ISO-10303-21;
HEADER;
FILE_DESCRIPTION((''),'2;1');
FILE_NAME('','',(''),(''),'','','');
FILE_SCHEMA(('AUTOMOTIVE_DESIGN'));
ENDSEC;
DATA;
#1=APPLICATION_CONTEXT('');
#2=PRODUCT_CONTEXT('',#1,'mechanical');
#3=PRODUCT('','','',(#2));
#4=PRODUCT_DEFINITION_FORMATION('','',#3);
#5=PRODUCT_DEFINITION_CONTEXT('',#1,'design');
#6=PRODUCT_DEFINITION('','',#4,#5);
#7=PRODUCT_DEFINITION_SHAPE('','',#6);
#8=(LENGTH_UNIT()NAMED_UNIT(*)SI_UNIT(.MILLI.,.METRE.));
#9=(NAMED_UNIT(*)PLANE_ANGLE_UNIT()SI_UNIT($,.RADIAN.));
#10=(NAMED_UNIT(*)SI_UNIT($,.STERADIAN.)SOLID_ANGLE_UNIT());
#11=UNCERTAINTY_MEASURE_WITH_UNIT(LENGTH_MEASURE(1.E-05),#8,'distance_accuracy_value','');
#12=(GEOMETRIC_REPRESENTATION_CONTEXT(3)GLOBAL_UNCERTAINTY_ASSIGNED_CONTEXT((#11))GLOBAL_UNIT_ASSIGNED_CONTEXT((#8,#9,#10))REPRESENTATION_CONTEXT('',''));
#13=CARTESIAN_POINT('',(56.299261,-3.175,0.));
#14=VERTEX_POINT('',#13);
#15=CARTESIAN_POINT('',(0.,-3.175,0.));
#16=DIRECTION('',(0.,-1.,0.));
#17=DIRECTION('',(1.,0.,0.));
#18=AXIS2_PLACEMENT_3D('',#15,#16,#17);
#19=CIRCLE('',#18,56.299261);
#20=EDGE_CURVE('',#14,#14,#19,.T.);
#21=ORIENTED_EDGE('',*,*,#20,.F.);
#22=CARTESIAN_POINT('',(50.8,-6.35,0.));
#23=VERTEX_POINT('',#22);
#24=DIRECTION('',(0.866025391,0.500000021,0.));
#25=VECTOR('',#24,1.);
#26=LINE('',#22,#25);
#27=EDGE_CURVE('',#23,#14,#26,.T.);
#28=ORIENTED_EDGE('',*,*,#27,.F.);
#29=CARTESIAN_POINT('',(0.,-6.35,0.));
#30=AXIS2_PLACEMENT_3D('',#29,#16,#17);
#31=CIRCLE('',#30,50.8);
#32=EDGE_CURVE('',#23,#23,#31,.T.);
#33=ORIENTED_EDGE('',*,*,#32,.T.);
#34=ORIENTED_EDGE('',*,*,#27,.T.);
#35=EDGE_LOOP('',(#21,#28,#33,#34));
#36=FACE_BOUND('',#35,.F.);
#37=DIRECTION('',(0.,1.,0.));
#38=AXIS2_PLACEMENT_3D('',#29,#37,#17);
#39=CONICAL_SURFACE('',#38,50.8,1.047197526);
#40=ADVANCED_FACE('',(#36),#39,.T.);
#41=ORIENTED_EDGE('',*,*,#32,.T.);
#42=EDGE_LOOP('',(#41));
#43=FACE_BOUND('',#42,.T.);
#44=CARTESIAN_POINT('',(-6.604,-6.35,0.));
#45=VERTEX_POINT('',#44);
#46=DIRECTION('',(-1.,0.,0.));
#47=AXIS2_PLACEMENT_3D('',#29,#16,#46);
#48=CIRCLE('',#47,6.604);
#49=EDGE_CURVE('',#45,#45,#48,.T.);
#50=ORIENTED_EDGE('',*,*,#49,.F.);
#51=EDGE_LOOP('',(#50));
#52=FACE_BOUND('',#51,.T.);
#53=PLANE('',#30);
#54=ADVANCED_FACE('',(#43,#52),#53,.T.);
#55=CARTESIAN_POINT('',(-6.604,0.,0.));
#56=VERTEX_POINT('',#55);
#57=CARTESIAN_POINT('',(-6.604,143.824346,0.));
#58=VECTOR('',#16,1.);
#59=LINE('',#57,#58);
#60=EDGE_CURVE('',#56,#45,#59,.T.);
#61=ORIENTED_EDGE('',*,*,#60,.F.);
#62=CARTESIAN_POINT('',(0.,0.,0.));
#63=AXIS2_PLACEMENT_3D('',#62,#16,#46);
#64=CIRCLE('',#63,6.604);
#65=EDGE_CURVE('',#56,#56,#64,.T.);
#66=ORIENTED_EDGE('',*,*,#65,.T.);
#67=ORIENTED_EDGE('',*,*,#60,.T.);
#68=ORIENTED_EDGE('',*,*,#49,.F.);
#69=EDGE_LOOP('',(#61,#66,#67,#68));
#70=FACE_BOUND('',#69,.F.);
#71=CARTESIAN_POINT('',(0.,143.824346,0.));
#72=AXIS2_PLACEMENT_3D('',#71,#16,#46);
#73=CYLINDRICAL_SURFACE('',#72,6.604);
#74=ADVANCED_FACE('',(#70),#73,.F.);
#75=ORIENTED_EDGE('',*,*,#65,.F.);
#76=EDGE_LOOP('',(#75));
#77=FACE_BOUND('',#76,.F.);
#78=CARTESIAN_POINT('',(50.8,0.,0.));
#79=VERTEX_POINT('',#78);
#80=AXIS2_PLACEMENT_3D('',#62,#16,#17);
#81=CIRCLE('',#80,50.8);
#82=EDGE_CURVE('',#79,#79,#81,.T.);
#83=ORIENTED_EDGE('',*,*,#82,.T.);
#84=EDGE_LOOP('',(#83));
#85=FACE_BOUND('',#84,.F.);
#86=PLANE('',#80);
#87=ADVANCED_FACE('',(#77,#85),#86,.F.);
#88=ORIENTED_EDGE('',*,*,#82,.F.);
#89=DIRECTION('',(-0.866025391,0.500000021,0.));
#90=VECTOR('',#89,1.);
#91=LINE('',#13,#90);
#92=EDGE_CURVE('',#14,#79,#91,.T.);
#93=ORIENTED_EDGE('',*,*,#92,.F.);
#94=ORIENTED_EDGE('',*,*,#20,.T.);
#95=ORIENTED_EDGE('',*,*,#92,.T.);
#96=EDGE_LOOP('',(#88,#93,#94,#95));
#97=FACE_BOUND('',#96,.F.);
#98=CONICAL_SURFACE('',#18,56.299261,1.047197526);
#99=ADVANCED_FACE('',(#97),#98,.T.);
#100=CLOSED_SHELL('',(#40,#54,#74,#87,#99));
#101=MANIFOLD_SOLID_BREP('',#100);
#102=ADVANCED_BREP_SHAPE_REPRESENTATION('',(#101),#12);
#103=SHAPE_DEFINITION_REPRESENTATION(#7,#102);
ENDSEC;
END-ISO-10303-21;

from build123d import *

# Parameters (mm, degrees)
F0_R     = 50.8
F1_DEPTH = 6.35
F2_D     = 13.208


with BuildPart() as f1:
    # F0 (on Front) → F1 (new body)
    with BuildSketch(Plane.XZ):
        Circle(F0_R)
    extrude(amount=F1_DEPTH)

    # F2 (through all)
    with Locations(Plane(origin=(0, 0, 0), x_dir=(1, 0, 0), z_dir=(0, 1, 0))):
        with Locations((0, 0)):
            Hole(F2_D / 2)

    # F3 (on Top) → F4 (revolve)
    with BuildSketch(Plane.XY):
        Polygon((50.8, 0), (50.8, -6.35), (56.299261, -3.175), align=None)
    revolve(axis=Axis((0, -6.35, 0), (0, -1, 0)))


solid = f1.part
